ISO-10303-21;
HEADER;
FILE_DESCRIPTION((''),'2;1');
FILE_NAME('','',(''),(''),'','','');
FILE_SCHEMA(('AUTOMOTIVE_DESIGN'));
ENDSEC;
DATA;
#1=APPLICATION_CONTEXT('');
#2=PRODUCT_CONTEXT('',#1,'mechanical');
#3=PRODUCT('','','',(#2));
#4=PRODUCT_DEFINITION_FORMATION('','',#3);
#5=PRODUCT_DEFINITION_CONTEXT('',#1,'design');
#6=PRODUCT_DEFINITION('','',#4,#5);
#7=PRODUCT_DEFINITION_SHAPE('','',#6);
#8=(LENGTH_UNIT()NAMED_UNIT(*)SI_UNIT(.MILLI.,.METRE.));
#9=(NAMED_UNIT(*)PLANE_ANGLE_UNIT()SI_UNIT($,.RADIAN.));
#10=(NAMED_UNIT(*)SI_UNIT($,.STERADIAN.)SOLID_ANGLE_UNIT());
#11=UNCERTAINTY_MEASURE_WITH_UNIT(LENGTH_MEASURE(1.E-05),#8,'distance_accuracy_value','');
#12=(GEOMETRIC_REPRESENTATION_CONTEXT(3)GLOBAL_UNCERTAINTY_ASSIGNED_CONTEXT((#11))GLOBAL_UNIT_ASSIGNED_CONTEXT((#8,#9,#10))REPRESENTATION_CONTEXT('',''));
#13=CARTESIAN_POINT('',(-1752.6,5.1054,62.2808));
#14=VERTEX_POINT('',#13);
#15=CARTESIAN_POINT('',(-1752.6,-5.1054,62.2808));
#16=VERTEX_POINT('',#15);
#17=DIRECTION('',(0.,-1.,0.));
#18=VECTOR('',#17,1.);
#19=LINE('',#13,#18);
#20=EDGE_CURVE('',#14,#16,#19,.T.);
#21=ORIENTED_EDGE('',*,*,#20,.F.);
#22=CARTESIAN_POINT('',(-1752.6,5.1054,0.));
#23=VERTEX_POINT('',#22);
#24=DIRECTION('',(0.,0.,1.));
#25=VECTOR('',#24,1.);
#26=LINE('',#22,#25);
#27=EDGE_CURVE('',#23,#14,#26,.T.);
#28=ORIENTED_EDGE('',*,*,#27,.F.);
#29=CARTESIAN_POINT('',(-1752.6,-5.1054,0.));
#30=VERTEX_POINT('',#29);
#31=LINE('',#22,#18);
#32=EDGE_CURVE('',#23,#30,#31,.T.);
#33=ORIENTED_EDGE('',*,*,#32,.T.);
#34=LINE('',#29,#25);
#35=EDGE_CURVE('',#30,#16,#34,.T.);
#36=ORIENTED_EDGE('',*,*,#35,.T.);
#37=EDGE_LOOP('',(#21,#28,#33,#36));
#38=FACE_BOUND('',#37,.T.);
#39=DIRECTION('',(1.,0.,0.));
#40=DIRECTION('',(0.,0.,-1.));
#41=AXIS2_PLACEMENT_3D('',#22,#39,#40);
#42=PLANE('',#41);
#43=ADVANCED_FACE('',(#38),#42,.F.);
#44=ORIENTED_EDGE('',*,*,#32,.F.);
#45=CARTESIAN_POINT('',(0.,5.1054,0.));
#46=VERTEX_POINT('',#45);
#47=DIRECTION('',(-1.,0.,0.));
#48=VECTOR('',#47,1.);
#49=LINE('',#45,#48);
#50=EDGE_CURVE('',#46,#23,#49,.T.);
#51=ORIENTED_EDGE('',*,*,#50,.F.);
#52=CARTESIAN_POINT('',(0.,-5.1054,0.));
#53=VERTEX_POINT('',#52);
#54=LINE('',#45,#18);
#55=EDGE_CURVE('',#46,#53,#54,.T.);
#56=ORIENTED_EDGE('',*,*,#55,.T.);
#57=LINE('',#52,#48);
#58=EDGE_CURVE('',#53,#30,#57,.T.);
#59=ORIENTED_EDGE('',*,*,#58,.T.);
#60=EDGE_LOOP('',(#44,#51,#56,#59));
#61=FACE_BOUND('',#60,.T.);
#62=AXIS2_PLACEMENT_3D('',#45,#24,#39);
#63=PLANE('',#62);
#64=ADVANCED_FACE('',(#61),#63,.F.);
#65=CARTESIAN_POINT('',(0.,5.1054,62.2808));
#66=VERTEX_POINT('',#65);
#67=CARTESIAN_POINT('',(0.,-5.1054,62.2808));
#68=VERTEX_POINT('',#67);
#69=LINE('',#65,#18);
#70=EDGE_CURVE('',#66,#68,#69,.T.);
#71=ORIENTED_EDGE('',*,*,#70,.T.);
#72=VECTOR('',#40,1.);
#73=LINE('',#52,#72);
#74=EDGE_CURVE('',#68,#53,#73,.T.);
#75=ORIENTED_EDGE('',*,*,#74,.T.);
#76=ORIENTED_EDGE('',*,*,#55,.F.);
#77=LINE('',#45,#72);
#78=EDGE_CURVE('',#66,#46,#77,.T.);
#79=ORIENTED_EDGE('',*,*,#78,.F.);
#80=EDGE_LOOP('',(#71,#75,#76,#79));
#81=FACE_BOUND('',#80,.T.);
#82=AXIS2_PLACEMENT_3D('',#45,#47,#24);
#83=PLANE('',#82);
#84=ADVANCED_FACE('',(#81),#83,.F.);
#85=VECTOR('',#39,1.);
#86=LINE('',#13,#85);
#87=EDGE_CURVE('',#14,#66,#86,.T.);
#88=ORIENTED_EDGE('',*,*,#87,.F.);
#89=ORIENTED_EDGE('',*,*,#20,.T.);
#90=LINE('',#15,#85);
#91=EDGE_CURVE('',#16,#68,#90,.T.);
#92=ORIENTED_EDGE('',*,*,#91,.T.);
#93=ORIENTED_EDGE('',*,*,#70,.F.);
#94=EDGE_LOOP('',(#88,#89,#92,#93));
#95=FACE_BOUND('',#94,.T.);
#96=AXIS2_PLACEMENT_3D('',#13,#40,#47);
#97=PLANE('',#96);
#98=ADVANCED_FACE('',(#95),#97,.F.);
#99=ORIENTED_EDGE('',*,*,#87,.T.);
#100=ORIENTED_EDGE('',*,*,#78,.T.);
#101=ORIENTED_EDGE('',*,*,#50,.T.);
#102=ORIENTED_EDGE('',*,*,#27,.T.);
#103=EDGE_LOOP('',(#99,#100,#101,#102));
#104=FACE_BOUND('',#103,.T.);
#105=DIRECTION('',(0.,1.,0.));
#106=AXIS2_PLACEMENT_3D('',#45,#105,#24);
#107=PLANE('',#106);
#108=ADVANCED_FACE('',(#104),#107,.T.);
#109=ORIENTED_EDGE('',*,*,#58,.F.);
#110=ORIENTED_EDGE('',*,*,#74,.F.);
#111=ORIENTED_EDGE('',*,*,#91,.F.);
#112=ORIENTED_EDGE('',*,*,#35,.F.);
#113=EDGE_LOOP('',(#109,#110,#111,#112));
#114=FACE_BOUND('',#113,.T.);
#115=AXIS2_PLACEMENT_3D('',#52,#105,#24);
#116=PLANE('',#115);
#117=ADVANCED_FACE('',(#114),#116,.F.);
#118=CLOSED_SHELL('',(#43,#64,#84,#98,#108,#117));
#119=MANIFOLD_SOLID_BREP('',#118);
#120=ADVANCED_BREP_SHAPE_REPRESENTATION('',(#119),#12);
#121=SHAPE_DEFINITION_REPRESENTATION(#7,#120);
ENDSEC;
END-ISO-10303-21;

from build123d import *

# Parameters (mm, degrees)
SKETCH1_W          = 1752.6
SKETCH1_H          = 62.2808
BOSS_EXTRUDE_DEPTH = 5.1054


with BuildPart() as part:
    # Sketch1 → Boss-Extrude (new, symmetric)
    with BuildSketch(Plane(origin=(0, 0, 0), x_dir=(1, 0, 0), z_dir=(0, 1, 0))):
        with Locations((-876.3, -31.1404)):
            Rectangle(SKETCH1_W, SKETCH1_H)
    extrude(amount=BOSS_EXTRUDE_DEPTH, both=True)


solid = part.part
